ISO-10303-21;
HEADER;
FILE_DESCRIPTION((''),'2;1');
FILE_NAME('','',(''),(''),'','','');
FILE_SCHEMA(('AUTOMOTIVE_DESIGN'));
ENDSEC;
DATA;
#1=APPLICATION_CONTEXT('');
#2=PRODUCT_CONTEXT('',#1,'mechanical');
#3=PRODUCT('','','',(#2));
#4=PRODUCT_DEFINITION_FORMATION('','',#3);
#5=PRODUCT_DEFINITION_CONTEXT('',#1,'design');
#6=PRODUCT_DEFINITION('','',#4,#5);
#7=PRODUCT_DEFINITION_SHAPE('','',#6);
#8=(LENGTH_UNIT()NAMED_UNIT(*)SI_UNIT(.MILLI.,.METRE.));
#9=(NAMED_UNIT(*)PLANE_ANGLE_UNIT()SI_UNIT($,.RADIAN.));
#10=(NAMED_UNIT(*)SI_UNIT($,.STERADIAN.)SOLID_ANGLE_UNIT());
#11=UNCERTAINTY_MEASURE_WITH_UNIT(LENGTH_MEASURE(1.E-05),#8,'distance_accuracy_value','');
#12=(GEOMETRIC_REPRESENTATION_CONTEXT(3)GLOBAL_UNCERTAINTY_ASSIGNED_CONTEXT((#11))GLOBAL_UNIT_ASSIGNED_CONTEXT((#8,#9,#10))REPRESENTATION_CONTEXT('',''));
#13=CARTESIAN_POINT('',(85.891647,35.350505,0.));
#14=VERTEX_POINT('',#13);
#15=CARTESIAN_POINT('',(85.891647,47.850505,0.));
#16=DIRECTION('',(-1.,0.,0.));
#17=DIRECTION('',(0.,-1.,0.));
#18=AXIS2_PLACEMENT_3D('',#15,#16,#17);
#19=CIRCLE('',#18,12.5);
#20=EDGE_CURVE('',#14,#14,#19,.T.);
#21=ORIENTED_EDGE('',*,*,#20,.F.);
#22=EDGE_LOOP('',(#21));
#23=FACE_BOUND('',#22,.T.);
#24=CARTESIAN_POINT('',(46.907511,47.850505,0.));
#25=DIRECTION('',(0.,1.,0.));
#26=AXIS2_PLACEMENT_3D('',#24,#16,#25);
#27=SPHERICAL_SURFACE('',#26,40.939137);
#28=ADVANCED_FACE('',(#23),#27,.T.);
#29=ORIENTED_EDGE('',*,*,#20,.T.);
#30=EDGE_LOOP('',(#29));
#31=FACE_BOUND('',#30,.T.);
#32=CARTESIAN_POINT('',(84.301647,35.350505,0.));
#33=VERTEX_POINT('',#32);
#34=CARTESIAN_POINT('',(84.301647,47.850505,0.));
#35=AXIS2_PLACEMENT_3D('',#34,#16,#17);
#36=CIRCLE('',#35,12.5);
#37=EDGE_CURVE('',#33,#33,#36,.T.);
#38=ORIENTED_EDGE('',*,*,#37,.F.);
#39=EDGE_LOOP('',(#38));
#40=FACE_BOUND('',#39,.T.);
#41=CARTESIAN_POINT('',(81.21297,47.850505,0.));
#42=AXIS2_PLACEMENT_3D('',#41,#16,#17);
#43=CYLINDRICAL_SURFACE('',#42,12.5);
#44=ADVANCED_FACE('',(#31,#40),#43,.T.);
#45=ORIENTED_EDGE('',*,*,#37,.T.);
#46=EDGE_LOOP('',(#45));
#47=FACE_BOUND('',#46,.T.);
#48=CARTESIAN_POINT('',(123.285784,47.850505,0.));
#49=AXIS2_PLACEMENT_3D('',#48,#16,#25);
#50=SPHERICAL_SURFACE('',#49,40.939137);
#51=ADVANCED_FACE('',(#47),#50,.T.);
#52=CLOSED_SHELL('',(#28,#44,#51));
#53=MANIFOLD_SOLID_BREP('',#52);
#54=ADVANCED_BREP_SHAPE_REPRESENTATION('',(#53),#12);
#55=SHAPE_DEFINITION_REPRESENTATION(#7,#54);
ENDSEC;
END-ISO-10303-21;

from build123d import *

# Parameters (mm, degrees)
SKETCH_1_ONE_SIDE_W = 1.59
SKETCH_1_ONE_SIDE_H = 12.5


with BuildPart() as part:
    # 草图1 one side → 旋转1 (revolve)
    with BuildSketch(Plane.XY):
        with Locations((85.096647416, 54.100504944)):
            Rectangle(SKETCH_1_ONE_SIDE_W, SKETCH_1_ONE_SIDE_H)
        with BuildLine():
            Line((82.346647416, 47.850504944), (84.301647416, 47.850504944))
            Line((84.301647416, 47.850504944), (84.301647416, 60.350504944))
            ThreePointArc((84.301647416, 60.350504944), (82.838350234, 54.176483623), (82.346647416, 47.850504944))
        make_face()
        with BuildLine():
            Line((85.891647416, 47.850504944), (87.846647416, 47.850504944))
            ThreePointArc((87.846647416, 47.850504944), (87.354944598, 54.176483623), (85.891647416, 60.350504944))
            Line((85.891647416, 60.350504944), (85.891647416, 47.850504944))
        make_face()
    revolve(axis=Axis((81.212969913, 47.850504944, 0), (1, 0, 0)))


solid = part.part
